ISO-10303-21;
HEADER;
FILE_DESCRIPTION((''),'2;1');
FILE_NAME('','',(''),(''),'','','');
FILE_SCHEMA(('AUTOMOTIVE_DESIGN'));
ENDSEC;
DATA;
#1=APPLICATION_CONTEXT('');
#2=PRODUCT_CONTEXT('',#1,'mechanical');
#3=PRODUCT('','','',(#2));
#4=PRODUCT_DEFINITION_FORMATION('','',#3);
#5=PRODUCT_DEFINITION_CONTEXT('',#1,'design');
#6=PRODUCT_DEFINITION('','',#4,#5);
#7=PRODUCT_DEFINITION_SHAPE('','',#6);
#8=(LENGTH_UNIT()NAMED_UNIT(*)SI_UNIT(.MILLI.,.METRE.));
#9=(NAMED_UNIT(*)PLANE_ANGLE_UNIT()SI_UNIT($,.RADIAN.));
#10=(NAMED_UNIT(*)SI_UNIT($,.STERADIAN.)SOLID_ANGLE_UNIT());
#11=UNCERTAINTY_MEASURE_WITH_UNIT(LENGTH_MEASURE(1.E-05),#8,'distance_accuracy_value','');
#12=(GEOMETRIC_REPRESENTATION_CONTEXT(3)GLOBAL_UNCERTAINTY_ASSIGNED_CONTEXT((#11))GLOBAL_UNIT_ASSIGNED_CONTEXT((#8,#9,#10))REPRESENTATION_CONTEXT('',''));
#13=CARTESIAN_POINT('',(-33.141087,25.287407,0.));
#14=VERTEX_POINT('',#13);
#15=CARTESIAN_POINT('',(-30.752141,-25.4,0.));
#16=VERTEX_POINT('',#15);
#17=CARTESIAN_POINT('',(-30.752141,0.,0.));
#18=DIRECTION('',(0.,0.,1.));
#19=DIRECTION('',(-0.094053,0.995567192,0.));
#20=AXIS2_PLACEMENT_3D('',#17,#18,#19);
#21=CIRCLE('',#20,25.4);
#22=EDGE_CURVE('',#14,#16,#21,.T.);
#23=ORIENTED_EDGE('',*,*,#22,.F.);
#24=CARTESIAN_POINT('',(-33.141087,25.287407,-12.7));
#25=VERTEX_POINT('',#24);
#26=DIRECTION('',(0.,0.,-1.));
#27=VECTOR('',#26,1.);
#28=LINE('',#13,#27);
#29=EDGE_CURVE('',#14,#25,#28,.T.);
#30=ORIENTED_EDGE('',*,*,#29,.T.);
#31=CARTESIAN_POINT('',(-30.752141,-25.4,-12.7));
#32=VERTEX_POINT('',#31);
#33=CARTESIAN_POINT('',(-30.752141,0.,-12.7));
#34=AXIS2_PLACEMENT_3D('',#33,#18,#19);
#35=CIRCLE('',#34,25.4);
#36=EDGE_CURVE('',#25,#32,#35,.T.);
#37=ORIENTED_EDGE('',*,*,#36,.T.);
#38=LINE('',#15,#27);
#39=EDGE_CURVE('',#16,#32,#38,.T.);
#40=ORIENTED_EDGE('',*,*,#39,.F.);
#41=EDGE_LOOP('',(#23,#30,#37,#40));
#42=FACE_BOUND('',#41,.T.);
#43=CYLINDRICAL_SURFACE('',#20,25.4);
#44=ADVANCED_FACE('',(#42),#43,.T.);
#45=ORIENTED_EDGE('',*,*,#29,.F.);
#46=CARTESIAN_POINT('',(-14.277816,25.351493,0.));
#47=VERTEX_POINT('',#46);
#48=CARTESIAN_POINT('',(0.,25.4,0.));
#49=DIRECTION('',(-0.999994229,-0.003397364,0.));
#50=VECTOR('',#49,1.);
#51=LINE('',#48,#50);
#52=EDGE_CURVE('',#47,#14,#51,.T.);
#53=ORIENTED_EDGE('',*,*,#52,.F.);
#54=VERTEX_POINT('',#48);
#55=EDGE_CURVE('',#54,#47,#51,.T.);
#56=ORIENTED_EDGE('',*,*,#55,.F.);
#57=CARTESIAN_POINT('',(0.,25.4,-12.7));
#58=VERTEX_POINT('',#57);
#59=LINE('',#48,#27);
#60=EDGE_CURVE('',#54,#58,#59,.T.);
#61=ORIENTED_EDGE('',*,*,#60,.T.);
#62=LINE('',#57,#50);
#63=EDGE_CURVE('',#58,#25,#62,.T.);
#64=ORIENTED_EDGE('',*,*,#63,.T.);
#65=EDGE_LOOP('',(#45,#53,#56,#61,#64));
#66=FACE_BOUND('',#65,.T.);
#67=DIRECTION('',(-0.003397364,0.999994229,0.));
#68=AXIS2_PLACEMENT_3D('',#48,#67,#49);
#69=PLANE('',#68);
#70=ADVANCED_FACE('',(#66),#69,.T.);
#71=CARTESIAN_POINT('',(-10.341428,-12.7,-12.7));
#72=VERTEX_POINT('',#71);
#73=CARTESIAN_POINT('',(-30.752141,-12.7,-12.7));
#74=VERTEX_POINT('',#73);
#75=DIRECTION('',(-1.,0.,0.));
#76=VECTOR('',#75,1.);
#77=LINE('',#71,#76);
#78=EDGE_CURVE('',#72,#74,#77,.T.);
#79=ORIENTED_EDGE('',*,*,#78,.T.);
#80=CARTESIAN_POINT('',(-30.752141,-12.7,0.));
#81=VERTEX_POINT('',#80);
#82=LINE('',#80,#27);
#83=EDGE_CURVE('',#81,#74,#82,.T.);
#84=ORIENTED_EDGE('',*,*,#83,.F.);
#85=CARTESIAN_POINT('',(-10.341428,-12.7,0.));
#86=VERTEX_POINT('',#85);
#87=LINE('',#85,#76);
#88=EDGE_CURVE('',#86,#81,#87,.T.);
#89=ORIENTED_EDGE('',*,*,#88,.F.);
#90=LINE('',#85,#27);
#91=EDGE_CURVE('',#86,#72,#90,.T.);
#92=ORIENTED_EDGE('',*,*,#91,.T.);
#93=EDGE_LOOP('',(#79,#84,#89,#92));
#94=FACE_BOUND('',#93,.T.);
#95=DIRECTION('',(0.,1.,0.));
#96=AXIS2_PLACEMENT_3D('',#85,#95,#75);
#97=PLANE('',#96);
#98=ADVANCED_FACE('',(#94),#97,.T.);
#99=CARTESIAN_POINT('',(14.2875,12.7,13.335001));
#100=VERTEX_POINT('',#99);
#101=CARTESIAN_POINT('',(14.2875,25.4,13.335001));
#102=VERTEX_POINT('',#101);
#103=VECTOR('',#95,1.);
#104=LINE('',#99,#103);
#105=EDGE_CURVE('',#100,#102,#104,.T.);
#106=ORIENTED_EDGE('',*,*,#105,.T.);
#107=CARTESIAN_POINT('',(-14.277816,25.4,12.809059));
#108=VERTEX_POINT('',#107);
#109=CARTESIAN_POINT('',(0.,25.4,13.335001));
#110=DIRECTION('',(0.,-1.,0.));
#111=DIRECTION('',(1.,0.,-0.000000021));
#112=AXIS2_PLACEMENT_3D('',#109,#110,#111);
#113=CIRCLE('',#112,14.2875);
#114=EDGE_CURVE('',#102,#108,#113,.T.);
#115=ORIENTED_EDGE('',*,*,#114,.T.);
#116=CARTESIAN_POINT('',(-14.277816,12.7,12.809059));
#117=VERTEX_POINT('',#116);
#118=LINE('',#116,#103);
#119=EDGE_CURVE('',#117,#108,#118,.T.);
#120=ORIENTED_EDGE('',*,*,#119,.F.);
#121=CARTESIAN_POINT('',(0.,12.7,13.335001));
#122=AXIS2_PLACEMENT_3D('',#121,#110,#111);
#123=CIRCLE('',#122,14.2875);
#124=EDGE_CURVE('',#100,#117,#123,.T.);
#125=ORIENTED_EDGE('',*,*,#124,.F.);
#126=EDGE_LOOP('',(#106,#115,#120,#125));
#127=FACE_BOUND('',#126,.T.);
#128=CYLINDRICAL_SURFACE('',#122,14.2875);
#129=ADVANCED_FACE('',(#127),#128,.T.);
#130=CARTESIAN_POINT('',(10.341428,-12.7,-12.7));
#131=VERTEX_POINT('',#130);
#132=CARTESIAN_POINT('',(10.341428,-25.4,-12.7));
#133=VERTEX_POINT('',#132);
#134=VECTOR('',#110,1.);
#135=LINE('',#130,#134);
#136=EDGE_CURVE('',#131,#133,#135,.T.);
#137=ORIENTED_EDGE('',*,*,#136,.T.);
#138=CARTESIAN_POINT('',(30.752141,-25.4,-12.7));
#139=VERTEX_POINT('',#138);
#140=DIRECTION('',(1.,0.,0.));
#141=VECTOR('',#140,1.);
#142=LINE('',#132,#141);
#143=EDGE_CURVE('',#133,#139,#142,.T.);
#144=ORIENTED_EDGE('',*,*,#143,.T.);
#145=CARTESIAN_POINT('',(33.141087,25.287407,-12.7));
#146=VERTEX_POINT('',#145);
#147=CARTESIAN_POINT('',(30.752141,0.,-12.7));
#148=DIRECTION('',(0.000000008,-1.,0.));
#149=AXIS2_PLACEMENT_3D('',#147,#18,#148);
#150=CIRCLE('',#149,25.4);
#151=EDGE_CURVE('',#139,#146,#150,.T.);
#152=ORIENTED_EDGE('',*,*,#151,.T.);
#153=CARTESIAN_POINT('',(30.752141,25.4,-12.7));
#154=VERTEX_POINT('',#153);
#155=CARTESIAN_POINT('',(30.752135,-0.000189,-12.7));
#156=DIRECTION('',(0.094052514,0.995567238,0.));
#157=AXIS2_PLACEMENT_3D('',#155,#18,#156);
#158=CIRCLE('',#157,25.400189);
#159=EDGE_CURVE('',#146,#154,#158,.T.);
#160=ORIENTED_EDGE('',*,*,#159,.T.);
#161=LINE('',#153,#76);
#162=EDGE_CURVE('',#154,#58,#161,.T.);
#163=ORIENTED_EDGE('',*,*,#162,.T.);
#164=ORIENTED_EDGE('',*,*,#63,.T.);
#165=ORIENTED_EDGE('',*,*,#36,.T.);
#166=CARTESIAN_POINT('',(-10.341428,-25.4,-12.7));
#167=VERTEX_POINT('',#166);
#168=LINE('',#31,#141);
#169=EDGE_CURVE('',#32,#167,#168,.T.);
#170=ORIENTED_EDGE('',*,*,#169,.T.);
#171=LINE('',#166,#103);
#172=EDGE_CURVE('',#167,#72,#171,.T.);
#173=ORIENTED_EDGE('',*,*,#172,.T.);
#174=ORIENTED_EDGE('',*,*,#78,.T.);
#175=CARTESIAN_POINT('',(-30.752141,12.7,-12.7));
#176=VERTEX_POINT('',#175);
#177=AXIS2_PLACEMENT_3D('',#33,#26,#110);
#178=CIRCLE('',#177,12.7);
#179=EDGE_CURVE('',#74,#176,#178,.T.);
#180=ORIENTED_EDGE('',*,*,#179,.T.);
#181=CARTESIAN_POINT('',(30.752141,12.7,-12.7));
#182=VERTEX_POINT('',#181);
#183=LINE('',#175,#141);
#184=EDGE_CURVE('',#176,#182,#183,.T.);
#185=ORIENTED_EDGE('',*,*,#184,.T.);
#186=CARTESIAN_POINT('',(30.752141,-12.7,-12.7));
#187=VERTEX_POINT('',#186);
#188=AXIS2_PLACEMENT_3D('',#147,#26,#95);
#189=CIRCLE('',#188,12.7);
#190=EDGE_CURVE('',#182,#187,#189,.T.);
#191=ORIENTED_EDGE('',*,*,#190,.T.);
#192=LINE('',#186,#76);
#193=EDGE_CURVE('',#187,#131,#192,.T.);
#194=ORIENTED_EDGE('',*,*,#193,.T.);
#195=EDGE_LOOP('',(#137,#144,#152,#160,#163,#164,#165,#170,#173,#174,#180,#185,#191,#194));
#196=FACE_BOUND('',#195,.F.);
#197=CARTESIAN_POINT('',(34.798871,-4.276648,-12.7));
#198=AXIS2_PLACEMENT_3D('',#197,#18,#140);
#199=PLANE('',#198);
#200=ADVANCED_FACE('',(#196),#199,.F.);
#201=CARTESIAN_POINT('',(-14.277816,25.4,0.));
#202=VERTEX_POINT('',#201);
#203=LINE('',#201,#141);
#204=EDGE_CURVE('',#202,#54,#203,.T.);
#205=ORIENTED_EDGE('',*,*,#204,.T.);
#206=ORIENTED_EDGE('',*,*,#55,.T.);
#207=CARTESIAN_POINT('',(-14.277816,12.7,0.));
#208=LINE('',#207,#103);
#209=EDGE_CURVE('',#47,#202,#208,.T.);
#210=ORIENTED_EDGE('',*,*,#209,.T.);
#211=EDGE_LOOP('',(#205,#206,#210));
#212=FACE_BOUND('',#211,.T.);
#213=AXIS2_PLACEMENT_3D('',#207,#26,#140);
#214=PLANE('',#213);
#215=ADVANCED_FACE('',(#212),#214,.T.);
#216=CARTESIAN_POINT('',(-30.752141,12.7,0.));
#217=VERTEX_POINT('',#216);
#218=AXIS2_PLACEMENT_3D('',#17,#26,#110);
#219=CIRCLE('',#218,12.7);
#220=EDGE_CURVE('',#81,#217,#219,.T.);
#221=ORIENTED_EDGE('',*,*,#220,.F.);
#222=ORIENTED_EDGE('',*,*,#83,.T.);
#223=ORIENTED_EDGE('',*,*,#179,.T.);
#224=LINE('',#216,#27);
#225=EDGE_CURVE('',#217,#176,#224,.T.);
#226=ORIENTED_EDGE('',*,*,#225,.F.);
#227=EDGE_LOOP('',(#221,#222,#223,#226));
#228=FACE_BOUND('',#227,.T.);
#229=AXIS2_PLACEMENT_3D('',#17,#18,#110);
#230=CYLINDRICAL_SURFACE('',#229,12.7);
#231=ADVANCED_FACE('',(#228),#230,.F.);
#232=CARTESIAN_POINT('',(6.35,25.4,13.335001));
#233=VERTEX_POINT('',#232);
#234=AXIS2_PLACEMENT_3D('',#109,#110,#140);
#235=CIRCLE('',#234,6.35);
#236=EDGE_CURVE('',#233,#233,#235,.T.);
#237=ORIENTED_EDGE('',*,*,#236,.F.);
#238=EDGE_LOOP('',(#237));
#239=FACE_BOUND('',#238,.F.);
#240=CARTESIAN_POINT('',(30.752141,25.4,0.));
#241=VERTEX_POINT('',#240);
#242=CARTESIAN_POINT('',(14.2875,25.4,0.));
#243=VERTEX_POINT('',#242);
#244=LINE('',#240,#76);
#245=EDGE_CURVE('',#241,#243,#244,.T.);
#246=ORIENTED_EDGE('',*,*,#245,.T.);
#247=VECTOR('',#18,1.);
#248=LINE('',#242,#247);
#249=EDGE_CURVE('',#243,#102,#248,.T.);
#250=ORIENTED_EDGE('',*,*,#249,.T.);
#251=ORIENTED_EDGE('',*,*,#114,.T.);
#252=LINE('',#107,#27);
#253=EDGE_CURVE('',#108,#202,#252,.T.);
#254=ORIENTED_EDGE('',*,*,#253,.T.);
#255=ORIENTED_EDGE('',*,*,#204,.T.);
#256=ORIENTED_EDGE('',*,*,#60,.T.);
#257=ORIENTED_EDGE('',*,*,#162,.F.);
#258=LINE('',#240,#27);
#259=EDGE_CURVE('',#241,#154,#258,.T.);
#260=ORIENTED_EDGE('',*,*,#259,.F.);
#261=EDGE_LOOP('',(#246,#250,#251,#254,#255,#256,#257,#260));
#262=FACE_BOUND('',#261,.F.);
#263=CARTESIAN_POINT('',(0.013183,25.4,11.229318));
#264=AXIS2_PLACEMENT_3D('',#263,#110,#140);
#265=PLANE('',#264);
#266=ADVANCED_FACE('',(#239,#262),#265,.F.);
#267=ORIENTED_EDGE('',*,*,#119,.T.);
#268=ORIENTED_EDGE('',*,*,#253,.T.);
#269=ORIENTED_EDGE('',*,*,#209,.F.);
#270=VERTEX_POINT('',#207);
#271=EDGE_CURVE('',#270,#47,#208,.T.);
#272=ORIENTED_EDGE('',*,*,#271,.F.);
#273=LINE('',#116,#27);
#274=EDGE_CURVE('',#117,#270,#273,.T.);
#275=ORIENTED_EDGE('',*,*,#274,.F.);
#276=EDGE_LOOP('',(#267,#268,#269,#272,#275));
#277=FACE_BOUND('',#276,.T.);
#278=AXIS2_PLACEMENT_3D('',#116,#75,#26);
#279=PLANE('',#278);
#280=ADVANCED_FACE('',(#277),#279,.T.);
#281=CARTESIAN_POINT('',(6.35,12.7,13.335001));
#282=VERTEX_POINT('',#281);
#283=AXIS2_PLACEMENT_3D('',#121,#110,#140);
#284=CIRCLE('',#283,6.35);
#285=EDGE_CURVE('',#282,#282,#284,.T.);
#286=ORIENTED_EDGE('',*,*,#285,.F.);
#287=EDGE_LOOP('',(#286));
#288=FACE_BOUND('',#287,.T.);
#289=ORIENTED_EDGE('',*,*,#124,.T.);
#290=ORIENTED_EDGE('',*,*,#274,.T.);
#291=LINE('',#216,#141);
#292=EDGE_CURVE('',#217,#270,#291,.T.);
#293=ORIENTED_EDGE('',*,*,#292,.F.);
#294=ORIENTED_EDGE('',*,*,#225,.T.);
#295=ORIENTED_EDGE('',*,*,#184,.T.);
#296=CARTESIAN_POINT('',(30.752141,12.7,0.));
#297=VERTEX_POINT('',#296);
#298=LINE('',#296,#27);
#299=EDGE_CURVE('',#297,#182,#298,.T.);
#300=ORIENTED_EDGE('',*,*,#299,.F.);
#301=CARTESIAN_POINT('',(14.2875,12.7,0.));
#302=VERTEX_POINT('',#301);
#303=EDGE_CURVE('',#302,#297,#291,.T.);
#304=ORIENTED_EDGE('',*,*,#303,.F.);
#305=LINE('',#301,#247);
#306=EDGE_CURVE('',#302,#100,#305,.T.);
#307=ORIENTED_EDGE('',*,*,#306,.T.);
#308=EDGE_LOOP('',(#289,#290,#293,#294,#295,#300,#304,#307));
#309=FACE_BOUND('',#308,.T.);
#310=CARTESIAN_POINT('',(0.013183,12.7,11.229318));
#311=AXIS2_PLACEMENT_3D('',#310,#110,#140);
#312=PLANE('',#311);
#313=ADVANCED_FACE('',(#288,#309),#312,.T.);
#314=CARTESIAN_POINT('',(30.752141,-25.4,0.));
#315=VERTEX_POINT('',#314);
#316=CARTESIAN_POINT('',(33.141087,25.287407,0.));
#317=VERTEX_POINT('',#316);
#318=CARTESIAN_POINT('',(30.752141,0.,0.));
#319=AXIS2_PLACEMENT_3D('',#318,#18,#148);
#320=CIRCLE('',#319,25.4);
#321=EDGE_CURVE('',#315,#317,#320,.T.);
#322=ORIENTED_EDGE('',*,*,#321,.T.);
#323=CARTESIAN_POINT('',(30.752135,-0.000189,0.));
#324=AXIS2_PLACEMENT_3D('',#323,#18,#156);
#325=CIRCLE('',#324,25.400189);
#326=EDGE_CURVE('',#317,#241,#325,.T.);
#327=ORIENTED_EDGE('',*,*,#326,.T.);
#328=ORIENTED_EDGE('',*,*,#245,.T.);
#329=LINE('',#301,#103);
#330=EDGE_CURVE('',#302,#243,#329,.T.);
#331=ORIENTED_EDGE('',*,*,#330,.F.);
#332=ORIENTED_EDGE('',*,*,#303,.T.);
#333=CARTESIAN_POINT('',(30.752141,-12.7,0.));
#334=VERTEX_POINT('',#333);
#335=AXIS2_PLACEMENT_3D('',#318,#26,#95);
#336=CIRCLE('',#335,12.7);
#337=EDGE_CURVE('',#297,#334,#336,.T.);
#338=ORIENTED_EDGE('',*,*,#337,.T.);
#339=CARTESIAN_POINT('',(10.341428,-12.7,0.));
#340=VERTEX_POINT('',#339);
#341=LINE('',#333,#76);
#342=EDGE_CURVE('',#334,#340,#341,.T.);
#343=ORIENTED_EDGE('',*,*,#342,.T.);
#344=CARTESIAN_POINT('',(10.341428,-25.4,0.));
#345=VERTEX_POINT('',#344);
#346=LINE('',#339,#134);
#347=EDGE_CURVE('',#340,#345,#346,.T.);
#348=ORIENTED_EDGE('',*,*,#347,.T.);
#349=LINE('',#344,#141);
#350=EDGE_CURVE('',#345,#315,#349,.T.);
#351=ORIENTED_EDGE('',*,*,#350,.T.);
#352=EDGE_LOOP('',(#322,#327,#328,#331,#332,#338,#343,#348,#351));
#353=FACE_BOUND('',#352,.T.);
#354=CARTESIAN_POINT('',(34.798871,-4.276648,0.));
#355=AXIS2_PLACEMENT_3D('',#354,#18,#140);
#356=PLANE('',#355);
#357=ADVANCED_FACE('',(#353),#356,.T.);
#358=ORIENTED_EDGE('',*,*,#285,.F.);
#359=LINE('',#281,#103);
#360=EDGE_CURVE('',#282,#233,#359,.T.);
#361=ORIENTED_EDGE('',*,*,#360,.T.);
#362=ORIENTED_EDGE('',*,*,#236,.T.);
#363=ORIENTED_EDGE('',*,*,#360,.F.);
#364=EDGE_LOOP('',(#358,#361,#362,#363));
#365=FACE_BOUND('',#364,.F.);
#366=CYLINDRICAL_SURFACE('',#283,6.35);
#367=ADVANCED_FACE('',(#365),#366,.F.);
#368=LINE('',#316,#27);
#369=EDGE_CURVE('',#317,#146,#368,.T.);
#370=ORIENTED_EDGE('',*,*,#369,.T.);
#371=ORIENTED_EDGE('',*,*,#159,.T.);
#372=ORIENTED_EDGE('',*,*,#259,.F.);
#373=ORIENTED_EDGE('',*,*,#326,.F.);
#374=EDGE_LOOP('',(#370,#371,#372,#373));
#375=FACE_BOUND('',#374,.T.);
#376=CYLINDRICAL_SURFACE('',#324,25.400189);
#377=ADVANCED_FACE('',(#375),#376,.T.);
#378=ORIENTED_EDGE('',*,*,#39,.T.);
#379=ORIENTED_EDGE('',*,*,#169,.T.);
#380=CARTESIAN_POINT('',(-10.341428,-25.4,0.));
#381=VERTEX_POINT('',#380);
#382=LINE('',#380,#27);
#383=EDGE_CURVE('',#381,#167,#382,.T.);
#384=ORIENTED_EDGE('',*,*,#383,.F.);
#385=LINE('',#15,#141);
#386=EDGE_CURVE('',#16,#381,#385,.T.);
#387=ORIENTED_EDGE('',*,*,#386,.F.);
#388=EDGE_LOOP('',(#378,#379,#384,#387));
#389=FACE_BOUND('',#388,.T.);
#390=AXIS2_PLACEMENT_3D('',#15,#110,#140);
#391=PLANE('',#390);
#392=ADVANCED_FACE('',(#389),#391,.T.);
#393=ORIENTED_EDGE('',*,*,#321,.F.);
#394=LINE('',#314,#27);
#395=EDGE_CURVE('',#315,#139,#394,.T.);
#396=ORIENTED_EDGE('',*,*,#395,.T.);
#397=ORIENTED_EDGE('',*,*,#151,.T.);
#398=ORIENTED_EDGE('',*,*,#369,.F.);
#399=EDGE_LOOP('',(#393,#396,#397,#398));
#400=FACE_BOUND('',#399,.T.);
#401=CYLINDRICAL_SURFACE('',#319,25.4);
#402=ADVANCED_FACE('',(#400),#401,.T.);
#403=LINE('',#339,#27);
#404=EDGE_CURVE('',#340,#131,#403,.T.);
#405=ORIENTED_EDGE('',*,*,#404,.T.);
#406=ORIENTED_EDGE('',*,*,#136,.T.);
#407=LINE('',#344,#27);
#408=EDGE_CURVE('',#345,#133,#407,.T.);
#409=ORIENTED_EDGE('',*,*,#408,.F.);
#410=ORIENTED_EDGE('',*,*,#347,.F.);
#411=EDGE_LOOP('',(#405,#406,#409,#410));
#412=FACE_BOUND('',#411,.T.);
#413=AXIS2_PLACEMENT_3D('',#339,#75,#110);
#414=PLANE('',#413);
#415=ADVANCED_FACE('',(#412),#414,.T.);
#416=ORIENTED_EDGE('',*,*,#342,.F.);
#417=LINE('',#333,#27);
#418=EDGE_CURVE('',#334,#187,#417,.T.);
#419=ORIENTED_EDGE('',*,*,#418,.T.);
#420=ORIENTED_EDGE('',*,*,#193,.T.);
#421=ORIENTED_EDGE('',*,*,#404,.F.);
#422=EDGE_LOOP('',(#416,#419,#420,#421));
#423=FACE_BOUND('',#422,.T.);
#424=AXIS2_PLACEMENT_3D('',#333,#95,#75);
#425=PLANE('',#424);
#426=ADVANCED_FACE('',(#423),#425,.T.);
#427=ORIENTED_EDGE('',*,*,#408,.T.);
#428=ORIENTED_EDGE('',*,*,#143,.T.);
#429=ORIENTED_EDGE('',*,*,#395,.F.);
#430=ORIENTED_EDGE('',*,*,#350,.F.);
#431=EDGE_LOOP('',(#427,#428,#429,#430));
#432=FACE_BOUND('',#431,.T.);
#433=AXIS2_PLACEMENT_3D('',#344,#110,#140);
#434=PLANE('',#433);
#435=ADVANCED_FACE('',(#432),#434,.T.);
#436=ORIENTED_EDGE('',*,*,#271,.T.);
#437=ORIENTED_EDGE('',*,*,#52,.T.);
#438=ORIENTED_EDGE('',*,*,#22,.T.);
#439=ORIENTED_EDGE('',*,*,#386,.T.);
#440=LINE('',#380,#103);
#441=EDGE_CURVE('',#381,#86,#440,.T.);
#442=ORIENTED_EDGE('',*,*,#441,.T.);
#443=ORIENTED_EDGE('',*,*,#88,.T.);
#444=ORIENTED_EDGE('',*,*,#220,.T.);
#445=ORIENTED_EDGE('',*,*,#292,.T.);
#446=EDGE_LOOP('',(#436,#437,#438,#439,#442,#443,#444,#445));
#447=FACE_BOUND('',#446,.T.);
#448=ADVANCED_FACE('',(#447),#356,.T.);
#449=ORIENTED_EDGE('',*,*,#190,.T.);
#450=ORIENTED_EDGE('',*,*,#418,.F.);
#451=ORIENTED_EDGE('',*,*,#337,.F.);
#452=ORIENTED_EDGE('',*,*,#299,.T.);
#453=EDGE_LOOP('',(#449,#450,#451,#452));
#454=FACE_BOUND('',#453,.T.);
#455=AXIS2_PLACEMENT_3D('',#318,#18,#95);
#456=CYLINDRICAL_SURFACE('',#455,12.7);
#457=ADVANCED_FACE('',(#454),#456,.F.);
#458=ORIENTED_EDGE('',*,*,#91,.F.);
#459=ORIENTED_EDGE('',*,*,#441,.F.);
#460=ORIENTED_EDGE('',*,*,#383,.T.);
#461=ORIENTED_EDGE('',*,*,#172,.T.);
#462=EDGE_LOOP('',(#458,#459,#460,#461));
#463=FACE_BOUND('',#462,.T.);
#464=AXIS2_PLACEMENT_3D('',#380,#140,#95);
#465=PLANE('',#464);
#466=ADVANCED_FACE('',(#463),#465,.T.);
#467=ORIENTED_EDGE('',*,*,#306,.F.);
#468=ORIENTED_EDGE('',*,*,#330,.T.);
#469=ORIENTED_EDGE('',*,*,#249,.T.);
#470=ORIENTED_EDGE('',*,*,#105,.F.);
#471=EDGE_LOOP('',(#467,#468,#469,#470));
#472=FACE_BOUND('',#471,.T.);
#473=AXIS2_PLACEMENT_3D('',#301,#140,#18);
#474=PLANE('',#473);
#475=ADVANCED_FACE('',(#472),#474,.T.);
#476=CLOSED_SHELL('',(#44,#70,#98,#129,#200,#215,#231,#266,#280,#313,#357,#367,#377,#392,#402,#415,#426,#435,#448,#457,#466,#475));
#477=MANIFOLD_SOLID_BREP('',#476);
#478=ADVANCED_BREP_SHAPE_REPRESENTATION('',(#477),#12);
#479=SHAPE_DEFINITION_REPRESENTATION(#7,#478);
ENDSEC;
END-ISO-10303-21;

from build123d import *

# Parameters (mm, degrees)
F1_DEPTH = 12.7
F2_R     = 6.35
F3_DEPTH = 12.7


with BuildPart() as f1:
    # F0 (on Top) → F1 (new body)
    with BuildSketch(Plane.XY):
        with BuildLine():
            ThreePointArc((30.752141, 12.7), (43.452141, 0), (30.752141, -12.7))
            Line((30.752141, -12.7), (10.341428, -12.7))
            Line((10.341428, -12.7), (10.341428, -25.4))
            Line((10.341428, -25.4), (30.752141, -25.4))
            ThreePointArc((30.752141, -25.4), (56.123977, -1.195799), (33.141087, 25.287407))
            Line((33.141087, 25.287407), (30.752141, 25.295523))
            Line((30.752141, 25.295523), (30.752141, 12.7))
        make_face()
        with BuildLine():
            Line((0, 12.7), (30.752141, 12.7))
            Line((30.752141, 12.7), (30.752141, 25.295523))
            Line((30.752141, 25.295523), (0, 25.4))
            Line((0, 25.4), (-33.141087, 25.287407))
            ThreePointArc((-33.141087, 25.287407), (-56.123977, -1.195799), (-30.752141, -25.4))
            Line((-30.752141, -25.4), (-10.341428, -25.4))
            Line((-10.341428, -25.4), (-10.341428, -12.7))
            Line((-10.341428, -12.7), (-30.752141, -12.7))
            ThreePointArc((-30.752141, -12.7), (-43.452141, 0), (-30.752141, 12.7))
            Line((-30.752141, 12.7), (0, 12.7))
        make_face()
        Polygon((0, 25.4), (30.752141, 25.295523), (30.752141, 25.4), align=None)
        with BuildLine():
            Line((30.752141, 25.4), (30.752141, 25.295523))
            Line((30.752141, 25.295523), (33.141087, 25.287407))
            ThreePointArc((33.141087, 25.287407), (31.94794, 25.371836), (30.752141, 25.4))
        make_face()
    extrude(amount=-F1_DEPTH)

    # F2 (on face) → F3 (join)
    with BuildSketch(Plane.XZ.offset(-12.7)):
        with BuildLine():
            Line((14.2875, 0), (14.2875, 13.335001))
            ThreePointArc((14.2875, 13.335001), (-0.263015, 27.62008), (-14.277816, 12.809059))
            Line((-14.277816, 12.809059), (-14.277816, 0))
            Line((-14.277816, 0), (14.2875, 0))
        make_face()
        with Locations((0, 13.335001)):
            Circle(F2_R, mode=Mode.SUBTRACT)
    extrude(amount=-F3_DEPTH)


solid = f1.part
